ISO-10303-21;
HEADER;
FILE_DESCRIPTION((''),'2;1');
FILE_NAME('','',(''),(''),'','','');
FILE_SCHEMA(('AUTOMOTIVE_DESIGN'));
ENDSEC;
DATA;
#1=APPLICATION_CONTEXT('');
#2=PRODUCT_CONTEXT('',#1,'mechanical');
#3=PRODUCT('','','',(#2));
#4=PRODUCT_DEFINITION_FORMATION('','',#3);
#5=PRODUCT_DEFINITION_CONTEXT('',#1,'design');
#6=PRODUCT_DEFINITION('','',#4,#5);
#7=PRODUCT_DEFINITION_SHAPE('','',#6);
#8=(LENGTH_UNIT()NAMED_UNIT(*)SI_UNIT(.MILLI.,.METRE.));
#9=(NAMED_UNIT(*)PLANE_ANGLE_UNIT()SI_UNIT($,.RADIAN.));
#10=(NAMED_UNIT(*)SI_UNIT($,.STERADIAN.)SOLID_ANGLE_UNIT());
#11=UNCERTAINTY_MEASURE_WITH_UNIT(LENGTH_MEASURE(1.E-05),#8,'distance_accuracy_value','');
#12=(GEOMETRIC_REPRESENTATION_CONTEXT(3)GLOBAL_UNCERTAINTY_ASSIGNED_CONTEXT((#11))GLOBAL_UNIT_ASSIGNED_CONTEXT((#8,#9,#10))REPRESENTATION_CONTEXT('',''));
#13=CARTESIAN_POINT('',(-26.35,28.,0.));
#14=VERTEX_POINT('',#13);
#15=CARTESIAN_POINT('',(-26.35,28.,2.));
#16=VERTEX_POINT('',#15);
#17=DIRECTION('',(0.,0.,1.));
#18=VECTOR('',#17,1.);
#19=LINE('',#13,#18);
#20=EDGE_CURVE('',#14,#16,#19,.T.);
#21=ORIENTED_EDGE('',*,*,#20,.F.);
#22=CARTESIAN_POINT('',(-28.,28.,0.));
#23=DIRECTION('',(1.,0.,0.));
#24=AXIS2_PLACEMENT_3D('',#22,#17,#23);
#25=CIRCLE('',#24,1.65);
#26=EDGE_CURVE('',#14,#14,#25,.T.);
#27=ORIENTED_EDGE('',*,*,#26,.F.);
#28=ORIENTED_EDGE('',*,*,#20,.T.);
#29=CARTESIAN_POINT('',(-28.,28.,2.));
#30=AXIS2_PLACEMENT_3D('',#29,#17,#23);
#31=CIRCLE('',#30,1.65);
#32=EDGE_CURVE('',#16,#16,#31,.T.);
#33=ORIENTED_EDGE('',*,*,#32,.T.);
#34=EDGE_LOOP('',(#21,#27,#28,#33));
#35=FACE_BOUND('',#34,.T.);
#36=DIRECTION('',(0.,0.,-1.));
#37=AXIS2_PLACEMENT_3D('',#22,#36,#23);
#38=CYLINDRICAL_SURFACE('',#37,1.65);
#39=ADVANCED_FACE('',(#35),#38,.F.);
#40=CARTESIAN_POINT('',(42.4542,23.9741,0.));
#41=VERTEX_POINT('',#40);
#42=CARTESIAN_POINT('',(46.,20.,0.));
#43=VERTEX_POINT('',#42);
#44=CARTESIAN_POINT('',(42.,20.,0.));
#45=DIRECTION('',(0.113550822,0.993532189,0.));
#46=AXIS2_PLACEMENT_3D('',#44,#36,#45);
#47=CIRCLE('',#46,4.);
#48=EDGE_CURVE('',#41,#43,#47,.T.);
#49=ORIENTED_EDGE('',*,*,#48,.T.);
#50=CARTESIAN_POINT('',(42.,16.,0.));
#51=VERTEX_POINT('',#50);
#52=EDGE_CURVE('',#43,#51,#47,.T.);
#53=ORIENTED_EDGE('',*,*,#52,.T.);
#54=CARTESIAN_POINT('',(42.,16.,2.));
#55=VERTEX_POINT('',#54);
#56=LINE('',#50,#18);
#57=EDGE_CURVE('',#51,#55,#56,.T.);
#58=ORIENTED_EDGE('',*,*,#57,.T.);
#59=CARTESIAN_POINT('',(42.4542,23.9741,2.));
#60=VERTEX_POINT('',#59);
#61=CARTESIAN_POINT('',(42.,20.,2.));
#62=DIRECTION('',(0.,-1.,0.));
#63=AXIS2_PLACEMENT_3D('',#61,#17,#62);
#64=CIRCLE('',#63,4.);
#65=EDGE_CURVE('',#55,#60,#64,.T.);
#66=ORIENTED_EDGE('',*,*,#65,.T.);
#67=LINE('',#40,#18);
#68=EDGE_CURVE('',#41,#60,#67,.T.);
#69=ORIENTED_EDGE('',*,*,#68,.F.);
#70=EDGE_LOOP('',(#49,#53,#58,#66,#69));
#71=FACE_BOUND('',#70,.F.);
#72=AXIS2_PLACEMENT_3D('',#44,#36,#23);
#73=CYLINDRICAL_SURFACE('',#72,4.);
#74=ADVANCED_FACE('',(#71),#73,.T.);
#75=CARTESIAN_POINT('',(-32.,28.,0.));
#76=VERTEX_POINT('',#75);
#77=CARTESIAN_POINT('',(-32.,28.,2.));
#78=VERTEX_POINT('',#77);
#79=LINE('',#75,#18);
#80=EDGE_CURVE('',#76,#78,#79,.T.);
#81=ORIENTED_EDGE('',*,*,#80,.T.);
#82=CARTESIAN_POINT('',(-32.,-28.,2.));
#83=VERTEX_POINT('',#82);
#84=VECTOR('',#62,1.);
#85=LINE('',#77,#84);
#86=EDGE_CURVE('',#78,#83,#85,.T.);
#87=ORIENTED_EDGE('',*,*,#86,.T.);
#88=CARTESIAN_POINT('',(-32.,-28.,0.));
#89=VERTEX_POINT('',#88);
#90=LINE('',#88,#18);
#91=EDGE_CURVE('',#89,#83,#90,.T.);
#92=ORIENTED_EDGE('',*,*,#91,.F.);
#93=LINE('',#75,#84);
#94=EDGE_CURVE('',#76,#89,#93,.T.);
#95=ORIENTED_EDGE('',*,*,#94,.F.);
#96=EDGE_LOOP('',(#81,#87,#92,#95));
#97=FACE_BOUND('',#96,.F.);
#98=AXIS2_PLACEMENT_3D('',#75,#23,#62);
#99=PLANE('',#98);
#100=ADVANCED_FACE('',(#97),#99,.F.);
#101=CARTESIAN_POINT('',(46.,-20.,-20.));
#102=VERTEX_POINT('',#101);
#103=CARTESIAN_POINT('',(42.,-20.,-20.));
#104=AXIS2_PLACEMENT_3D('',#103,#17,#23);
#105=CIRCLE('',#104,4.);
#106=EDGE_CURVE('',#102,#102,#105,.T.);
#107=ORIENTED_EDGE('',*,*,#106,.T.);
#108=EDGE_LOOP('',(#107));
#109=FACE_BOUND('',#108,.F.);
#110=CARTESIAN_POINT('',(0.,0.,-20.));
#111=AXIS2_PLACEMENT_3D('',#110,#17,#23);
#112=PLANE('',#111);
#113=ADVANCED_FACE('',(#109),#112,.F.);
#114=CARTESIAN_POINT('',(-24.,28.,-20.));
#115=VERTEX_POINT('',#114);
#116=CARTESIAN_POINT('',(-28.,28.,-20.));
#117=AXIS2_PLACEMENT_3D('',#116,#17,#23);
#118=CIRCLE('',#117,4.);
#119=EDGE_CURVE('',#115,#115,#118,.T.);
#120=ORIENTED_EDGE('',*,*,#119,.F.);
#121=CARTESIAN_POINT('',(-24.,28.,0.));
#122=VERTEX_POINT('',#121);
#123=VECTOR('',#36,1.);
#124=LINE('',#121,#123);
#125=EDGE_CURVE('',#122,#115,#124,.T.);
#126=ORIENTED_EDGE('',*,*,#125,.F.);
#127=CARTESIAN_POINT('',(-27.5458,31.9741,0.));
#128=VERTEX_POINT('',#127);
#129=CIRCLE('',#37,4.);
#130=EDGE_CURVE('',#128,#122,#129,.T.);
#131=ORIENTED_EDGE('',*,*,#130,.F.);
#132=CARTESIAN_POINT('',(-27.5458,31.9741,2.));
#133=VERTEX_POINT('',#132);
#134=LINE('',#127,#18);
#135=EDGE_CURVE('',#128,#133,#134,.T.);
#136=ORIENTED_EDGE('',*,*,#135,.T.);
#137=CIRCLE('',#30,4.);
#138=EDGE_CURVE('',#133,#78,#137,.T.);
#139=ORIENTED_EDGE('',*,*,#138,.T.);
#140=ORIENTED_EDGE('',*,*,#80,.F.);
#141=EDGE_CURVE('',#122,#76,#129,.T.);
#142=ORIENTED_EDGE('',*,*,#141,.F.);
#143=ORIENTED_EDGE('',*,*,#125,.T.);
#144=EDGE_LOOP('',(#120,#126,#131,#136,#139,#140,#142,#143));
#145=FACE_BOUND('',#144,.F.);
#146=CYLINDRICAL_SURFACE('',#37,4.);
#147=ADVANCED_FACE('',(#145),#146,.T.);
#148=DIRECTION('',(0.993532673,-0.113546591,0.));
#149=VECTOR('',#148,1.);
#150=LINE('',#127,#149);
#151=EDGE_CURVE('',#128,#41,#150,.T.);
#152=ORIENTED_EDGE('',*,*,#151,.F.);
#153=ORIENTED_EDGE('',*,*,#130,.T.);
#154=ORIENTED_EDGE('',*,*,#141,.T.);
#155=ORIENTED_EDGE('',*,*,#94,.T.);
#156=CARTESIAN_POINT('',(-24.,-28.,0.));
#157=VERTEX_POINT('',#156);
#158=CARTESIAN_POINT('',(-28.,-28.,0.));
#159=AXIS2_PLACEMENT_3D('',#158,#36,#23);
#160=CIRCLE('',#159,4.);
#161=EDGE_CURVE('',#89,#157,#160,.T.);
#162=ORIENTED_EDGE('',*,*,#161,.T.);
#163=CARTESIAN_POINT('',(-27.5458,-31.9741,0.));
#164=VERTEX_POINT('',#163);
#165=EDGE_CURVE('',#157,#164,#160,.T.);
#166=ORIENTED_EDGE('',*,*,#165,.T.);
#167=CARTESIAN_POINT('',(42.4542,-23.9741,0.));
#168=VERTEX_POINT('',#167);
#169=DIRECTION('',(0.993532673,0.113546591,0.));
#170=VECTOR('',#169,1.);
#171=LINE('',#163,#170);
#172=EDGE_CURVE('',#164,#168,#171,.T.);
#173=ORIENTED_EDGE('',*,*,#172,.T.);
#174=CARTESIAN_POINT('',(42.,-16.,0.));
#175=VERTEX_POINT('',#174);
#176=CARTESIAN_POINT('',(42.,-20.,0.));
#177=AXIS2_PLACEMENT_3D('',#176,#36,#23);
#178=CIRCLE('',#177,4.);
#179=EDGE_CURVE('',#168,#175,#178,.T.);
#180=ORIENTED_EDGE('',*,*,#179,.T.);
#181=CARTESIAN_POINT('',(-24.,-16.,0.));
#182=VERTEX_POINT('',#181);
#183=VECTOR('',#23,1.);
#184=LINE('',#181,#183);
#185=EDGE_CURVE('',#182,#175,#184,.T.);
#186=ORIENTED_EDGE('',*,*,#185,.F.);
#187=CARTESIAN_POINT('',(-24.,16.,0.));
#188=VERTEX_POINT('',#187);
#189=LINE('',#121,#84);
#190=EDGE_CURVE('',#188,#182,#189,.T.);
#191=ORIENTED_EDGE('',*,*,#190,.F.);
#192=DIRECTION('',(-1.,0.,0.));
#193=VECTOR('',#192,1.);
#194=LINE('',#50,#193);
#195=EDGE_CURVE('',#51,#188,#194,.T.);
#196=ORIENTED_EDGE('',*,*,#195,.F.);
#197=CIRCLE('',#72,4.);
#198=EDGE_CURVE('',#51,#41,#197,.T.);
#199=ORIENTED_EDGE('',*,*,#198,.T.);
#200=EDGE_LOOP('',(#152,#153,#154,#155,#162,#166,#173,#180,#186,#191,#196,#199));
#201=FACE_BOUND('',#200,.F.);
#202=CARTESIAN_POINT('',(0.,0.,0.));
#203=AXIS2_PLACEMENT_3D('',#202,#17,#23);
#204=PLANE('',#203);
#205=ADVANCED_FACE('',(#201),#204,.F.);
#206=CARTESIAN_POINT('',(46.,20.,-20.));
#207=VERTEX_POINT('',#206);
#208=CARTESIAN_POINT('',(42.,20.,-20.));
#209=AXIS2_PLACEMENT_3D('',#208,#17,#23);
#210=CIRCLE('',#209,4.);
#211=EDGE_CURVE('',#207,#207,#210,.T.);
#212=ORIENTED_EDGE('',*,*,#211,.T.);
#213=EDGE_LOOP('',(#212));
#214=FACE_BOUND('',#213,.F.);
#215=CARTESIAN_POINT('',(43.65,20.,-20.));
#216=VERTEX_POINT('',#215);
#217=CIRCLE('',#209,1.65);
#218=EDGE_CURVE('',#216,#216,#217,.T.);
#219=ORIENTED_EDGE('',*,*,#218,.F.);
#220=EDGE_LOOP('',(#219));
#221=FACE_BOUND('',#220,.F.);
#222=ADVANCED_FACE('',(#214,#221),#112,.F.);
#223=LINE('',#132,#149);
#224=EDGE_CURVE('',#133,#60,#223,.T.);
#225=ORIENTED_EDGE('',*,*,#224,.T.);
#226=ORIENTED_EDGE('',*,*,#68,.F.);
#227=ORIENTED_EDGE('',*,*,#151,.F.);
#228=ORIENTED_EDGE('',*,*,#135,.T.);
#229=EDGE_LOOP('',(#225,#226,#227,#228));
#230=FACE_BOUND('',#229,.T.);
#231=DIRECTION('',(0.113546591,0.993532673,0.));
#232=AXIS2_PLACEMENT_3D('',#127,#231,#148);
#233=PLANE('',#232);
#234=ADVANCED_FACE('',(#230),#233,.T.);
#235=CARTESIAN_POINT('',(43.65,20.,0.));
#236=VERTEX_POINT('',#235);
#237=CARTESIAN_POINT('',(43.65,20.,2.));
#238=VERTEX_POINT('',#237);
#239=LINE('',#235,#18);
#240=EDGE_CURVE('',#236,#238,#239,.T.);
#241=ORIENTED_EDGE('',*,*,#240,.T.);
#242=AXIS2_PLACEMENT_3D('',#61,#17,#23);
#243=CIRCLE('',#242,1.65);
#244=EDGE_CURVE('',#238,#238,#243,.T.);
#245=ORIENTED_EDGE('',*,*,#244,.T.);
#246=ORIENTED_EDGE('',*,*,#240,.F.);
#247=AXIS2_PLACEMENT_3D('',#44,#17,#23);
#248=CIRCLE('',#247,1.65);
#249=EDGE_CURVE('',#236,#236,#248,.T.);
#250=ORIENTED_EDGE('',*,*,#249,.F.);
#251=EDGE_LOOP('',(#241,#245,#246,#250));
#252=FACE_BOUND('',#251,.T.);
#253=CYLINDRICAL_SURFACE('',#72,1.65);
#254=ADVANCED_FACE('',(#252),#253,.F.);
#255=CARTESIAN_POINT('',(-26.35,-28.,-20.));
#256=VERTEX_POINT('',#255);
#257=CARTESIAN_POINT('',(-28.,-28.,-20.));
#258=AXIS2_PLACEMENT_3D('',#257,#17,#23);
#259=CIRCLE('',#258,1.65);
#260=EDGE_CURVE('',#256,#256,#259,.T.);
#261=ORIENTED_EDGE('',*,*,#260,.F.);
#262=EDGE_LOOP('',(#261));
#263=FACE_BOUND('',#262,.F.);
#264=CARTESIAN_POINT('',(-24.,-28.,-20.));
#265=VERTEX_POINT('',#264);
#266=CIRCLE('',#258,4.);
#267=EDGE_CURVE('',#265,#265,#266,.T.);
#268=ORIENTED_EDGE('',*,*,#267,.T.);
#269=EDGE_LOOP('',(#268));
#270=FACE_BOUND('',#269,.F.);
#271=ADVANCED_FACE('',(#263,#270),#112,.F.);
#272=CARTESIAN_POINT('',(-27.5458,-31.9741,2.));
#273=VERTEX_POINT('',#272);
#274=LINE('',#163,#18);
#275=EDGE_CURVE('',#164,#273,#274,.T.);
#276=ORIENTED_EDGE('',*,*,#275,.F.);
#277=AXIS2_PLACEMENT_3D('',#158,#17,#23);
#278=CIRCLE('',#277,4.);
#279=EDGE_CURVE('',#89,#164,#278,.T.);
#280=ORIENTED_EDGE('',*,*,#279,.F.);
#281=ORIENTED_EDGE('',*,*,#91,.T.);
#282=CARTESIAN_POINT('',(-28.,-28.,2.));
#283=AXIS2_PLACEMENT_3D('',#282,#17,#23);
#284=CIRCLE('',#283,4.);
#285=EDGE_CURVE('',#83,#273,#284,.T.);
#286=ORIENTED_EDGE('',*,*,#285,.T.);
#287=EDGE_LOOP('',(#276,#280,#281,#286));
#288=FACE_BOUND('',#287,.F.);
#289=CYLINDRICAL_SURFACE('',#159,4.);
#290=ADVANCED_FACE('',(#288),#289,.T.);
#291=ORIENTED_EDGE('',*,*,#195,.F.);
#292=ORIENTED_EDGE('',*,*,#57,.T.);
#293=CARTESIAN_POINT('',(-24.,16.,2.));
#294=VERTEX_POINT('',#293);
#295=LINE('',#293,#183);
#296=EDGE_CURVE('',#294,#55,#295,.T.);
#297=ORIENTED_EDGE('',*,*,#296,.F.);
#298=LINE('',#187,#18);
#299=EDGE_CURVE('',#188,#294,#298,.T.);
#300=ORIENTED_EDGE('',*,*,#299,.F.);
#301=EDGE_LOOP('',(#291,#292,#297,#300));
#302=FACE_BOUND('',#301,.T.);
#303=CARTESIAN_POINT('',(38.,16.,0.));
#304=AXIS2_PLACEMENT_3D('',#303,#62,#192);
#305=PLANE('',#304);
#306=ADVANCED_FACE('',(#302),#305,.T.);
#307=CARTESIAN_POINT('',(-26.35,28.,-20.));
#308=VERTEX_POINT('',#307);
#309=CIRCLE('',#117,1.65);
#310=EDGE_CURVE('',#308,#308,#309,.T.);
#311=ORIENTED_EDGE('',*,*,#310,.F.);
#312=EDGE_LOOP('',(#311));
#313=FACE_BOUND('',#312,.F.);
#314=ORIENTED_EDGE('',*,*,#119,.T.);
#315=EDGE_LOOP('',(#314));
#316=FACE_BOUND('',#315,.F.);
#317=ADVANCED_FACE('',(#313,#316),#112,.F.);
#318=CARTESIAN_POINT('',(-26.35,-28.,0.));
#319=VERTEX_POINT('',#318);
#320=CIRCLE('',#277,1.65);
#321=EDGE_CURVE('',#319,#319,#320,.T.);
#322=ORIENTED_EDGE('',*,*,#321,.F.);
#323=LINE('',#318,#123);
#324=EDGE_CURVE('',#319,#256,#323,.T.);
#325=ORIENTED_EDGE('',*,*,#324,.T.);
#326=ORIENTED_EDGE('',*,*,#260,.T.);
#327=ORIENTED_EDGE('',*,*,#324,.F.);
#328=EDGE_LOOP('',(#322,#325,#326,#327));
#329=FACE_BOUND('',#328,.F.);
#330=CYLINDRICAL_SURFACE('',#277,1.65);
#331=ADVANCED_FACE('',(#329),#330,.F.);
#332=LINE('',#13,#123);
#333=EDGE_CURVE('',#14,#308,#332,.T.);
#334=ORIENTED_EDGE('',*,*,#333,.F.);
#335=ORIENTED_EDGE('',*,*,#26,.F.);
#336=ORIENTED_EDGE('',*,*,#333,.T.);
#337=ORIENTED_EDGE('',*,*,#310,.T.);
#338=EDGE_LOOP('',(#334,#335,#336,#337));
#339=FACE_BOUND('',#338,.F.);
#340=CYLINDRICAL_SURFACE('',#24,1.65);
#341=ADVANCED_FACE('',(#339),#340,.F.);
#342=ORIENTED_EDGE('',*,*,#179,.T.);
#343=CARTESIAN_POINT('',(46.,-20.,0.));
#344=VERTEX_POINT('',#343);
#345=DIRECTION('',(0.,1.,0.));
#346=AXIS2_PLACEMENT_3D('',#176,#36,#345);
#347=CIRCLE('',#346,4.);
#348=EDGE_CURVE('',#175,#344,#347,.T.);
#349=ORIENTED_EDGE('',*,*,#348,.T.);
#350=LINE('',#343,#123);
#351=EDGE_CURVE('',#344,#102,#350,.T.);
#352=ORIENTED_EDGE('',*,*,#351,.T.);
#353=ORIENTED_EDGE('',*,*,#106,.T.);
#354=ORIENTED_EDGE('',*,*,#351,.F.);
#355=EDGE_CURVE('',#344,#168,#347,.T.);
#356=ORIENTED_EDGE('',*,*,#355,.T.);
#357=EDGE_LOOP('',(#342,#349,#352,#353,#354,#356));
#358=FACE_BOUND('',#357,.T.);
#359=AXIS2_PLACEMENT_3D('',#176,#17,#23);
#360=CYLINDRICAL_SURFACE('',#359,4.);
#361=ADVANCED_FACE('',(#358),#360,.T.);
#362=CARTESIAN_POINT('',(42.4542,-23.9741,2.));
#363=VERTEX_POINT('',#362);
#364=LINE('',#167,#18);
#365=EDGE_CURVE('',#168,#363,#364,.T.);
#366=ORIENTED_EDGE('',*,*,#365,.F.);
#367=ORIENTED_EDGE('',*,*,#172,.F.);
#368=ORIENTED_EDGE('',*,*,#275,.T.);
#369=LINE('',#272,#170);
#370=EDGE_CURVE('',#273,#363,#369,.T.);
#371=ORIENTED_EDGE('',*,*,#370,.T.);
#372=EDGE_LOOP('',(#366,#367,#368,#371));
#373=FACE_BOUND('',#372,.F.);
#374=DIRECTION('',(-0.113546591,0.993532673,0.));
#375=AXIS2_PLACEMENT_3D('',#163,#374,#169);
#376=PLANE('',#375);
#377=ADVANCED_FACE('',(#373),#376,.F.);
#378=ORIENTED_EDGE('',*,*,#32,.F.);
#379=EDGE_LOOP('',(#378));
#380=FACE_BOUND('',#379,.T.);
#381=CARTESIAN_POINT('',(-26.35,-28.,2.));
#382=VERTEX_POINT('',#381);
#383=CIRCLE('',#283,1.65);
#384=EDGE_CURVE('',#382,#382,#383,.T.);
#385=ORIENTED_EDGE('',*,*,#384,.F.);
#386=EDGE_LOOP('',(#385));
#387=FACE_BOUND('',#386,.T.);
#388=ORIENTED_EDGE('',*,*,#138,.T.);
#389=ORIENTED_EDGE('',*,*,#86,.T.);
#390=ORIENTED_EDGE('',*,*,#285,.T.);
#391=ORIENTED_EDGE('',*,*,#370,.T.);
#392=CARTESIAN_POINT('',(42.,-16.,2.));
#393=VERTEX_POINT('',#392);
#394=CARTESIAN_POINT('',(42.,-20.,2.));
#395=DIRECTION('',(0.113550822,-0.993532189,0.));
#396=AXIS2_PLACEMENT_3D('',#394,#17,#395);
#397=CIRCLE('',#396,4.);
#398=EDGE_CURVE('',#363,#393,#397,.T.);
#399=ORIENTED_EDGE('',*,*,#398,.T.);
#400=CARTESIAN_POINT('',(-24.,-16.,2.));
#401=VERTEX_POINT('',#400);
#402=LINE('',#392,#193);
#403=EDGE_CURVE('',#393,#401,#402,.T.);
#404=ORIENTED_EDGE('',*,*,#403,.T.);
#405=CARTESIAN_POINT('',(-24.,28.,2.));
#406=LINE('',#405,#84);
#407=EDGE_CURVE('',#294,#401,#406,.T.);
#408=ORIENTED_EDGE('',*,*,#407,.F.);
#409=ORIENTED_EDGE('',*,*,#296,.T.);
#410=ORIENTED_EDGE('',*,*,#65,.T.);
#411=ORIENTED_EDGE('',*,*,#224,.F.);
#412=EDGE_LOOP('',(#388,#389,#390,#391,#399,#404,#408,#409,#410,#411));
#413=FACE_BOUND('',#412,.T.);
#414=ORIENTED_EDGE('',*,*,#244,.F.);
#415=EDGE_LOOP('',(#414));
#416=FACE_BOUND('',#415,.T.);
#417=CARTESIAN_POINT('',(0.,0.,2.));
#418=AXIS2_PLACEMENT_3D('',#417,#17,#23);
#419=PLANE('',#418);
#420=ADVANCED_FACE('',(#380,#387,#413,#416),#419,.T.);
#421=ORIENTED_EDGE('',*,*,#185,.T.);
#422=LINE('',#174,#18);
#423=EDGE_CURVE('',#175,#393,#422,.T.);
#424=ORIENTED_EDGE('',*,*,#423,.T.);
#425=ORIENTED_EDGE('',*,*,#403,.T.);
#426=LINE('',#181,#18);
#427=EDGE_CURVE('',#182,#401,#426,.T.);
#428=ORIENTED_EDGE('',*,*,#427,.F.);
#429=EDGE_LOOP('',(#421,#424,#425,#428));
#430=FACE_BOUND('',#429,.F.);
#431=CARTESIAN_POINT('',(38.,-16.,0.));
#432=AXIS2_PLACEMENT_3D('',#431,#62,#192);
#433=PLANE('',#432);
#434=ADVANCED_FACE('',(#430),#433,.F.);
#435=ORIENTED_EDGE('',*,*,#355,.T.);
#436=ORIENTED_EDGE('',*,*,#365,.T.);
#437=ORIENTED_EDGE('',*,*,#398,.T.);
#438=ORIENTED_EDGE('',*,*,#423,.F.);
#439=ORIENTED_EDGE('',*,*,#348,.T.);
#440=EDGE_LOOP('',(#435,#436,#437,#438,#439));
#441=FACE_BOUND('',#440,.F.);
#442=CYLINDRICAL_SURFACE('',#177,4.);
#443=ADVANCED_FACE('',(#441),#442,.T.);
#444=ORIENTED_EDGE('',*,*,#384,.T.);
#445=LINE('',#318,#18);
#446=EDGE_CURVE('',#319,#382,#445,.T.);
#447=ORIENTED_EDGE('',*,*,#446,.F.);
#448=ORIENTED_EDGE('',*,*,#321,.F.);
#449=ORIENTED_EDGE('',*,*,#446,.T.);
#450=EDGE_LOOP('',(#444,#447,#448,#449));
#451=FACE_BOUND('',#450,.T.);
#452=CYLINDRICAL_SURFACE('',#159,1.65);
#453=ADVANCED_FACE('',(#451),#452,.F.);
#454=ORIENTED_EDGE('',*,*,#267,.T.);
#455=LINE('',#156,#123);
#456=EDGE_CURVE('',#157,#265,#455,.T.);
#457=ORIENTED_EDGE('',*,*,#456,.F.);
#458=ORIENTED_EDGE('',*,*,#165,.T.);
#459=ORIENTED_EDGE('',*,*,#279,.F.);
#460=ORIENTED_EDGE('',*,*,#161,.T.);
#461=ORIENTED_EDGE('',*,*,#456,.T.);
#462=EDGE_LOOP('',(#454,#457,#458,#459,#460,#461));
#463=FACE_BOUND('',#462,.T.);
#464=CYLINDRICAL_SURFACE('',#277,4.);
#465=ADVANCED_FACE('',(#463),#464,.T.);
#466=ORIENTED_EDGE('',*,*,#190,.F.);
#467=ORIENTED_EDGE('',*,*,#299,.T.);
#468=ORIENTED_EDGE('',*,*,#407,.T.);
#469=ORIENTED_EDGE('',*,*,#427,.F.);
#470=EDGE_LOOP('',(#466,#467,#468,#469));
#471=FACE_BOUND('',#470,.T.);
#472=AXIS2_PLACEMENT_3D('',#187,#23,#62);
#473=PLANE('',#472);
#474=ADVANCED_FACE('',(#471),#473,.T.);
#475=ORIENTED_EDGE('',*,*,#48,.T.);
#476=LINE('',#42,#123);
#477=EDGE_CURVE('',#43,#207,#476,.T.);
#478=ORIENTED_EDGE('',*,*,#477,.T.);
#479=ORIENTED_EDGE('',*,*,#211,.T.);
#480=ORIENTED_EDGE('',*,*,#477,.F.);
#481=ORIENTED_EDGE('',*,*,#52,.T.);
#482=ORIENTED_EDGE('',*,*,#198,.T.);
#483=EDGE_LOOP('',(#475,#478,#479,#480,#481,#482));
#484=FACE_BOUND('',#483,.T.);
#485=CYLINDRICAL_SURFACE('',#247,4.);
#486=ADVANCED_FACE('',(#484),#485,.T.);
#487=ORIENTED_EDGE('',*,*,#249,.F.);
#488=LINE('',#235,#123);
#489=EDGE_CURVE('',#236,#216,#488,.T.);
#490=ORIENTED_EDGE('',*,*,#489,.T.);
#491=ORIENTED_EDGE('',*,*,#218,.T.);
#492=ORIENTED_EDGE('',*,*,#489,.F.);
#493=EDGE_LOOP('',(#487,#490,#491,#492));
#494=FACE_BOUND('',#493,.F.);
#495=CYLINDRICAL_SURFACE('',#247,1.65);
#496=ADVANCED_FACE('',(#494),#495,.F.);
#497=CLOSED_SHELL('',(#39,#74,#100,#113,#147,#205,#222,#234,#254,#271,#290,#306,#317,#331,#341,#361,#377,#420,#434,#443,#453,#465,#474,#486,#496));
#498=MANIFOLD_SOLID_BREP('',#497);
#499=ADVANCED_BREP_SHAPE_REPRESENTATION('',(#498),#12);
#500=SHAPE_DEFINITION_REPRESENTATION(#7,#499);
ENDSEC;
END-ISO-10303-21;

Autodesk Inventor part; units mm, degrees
ref_plane "YZ Plane" through (0, 0, 0) normal (1, 0, 0) x (0, 1, 0)
ref_plane "XZ Plane" through (0, 0, 0) normal (0, 1, 0) x (-1, 0, 0)
ref_plane "XY Plane" through (0, 0, 0) normal (0, 0, 1) x (1, 0, 0)
sketch "Esquisse2" plane through (0, 0, 0) normal (0, 0, 1) x (1, 0, 0)
  circle A0 centre (42, 20) radius 1.65
  circle A1 centre (-28, 28) radius 1.65
  circle A2 centre (-28, -28) radius 1.65
  circle A3 centre (42, -20) radius 1.65 construction
  circle A4 centre (0, 0) radius 33 construction
  line L0 (-42, -20) -> (42, -20) construction
  line L1 (42, -20) -> (42, 20) construction
  line L2 (42, 20) -> (-42, 20) construction
  line L3 (-42, 20) -> (-42, -20) construction
  line L4 (-42, -20) -> (42, 20) construction
  line L5 (42, -20) -> (-42, 20) construction
  line L6 (28, -28) -> (-28, -28) construction
  line L7 (-28, -28) -> (-28, 28) construction
  line L8 (-28, 28) -> (28, 28) construction
  line L9 (28, 28) -> (28, -28) construction
  line L10 (28, -28) -> (-28, 28) construction
  line L11 (-28, -28) -> (28, 28) construction
  circle A5 centre (-28, 28) radius 4
  circle A6 centre (-28, -28) radius 4
  circle A7 centre (42, 20) radius 4
  circle A8 centre (42, -20) radius 4
  line L12 (-32, 28) -> (-32, -28)
  line L13 (46, 20) -> (46, -20)
  line L14 (38, 20) -> (38, -20)
  line L15 (-24, 28) -> (-24, -28)
  line L16 (-27.5458, 31.9741) -> (42.4542, 23.9741)
  line L17 (-27.5458, -31.9741) -> (42.4542, -23.9741)
  line L18 (42, -16) -> (-24, -16)
  line L19 (42, 16) -> (-24, 16)
  point P0 (14.25, 0)
  point P1 (38, 16)
  point P2 (38, -16)
  dimension "d4" = 56
  dimension "d5" = 56
  dimension "d6" = 40
  dimension "d7" = 84
  dimension "d8" = 3.3
  dimension "d9" = 66
  dimension "d10" = 8
extrude "Extrusion2" add sketch "Esquisse2" along normal blind 2 contours A5 | L15 A6 L12 A5 | A5 L16 A7 L14 L19 L15 | A7 | A6 | L18 L14 A8 L17 A6 L15 | L14 A7 L19 | L18 A8 L14 | A8
extrude "Extrusion3" add sketch "Esquisse2" against normal blind 20 contours A5 | A7 | A6 | A8
properties part number "Support_LIDAR"
